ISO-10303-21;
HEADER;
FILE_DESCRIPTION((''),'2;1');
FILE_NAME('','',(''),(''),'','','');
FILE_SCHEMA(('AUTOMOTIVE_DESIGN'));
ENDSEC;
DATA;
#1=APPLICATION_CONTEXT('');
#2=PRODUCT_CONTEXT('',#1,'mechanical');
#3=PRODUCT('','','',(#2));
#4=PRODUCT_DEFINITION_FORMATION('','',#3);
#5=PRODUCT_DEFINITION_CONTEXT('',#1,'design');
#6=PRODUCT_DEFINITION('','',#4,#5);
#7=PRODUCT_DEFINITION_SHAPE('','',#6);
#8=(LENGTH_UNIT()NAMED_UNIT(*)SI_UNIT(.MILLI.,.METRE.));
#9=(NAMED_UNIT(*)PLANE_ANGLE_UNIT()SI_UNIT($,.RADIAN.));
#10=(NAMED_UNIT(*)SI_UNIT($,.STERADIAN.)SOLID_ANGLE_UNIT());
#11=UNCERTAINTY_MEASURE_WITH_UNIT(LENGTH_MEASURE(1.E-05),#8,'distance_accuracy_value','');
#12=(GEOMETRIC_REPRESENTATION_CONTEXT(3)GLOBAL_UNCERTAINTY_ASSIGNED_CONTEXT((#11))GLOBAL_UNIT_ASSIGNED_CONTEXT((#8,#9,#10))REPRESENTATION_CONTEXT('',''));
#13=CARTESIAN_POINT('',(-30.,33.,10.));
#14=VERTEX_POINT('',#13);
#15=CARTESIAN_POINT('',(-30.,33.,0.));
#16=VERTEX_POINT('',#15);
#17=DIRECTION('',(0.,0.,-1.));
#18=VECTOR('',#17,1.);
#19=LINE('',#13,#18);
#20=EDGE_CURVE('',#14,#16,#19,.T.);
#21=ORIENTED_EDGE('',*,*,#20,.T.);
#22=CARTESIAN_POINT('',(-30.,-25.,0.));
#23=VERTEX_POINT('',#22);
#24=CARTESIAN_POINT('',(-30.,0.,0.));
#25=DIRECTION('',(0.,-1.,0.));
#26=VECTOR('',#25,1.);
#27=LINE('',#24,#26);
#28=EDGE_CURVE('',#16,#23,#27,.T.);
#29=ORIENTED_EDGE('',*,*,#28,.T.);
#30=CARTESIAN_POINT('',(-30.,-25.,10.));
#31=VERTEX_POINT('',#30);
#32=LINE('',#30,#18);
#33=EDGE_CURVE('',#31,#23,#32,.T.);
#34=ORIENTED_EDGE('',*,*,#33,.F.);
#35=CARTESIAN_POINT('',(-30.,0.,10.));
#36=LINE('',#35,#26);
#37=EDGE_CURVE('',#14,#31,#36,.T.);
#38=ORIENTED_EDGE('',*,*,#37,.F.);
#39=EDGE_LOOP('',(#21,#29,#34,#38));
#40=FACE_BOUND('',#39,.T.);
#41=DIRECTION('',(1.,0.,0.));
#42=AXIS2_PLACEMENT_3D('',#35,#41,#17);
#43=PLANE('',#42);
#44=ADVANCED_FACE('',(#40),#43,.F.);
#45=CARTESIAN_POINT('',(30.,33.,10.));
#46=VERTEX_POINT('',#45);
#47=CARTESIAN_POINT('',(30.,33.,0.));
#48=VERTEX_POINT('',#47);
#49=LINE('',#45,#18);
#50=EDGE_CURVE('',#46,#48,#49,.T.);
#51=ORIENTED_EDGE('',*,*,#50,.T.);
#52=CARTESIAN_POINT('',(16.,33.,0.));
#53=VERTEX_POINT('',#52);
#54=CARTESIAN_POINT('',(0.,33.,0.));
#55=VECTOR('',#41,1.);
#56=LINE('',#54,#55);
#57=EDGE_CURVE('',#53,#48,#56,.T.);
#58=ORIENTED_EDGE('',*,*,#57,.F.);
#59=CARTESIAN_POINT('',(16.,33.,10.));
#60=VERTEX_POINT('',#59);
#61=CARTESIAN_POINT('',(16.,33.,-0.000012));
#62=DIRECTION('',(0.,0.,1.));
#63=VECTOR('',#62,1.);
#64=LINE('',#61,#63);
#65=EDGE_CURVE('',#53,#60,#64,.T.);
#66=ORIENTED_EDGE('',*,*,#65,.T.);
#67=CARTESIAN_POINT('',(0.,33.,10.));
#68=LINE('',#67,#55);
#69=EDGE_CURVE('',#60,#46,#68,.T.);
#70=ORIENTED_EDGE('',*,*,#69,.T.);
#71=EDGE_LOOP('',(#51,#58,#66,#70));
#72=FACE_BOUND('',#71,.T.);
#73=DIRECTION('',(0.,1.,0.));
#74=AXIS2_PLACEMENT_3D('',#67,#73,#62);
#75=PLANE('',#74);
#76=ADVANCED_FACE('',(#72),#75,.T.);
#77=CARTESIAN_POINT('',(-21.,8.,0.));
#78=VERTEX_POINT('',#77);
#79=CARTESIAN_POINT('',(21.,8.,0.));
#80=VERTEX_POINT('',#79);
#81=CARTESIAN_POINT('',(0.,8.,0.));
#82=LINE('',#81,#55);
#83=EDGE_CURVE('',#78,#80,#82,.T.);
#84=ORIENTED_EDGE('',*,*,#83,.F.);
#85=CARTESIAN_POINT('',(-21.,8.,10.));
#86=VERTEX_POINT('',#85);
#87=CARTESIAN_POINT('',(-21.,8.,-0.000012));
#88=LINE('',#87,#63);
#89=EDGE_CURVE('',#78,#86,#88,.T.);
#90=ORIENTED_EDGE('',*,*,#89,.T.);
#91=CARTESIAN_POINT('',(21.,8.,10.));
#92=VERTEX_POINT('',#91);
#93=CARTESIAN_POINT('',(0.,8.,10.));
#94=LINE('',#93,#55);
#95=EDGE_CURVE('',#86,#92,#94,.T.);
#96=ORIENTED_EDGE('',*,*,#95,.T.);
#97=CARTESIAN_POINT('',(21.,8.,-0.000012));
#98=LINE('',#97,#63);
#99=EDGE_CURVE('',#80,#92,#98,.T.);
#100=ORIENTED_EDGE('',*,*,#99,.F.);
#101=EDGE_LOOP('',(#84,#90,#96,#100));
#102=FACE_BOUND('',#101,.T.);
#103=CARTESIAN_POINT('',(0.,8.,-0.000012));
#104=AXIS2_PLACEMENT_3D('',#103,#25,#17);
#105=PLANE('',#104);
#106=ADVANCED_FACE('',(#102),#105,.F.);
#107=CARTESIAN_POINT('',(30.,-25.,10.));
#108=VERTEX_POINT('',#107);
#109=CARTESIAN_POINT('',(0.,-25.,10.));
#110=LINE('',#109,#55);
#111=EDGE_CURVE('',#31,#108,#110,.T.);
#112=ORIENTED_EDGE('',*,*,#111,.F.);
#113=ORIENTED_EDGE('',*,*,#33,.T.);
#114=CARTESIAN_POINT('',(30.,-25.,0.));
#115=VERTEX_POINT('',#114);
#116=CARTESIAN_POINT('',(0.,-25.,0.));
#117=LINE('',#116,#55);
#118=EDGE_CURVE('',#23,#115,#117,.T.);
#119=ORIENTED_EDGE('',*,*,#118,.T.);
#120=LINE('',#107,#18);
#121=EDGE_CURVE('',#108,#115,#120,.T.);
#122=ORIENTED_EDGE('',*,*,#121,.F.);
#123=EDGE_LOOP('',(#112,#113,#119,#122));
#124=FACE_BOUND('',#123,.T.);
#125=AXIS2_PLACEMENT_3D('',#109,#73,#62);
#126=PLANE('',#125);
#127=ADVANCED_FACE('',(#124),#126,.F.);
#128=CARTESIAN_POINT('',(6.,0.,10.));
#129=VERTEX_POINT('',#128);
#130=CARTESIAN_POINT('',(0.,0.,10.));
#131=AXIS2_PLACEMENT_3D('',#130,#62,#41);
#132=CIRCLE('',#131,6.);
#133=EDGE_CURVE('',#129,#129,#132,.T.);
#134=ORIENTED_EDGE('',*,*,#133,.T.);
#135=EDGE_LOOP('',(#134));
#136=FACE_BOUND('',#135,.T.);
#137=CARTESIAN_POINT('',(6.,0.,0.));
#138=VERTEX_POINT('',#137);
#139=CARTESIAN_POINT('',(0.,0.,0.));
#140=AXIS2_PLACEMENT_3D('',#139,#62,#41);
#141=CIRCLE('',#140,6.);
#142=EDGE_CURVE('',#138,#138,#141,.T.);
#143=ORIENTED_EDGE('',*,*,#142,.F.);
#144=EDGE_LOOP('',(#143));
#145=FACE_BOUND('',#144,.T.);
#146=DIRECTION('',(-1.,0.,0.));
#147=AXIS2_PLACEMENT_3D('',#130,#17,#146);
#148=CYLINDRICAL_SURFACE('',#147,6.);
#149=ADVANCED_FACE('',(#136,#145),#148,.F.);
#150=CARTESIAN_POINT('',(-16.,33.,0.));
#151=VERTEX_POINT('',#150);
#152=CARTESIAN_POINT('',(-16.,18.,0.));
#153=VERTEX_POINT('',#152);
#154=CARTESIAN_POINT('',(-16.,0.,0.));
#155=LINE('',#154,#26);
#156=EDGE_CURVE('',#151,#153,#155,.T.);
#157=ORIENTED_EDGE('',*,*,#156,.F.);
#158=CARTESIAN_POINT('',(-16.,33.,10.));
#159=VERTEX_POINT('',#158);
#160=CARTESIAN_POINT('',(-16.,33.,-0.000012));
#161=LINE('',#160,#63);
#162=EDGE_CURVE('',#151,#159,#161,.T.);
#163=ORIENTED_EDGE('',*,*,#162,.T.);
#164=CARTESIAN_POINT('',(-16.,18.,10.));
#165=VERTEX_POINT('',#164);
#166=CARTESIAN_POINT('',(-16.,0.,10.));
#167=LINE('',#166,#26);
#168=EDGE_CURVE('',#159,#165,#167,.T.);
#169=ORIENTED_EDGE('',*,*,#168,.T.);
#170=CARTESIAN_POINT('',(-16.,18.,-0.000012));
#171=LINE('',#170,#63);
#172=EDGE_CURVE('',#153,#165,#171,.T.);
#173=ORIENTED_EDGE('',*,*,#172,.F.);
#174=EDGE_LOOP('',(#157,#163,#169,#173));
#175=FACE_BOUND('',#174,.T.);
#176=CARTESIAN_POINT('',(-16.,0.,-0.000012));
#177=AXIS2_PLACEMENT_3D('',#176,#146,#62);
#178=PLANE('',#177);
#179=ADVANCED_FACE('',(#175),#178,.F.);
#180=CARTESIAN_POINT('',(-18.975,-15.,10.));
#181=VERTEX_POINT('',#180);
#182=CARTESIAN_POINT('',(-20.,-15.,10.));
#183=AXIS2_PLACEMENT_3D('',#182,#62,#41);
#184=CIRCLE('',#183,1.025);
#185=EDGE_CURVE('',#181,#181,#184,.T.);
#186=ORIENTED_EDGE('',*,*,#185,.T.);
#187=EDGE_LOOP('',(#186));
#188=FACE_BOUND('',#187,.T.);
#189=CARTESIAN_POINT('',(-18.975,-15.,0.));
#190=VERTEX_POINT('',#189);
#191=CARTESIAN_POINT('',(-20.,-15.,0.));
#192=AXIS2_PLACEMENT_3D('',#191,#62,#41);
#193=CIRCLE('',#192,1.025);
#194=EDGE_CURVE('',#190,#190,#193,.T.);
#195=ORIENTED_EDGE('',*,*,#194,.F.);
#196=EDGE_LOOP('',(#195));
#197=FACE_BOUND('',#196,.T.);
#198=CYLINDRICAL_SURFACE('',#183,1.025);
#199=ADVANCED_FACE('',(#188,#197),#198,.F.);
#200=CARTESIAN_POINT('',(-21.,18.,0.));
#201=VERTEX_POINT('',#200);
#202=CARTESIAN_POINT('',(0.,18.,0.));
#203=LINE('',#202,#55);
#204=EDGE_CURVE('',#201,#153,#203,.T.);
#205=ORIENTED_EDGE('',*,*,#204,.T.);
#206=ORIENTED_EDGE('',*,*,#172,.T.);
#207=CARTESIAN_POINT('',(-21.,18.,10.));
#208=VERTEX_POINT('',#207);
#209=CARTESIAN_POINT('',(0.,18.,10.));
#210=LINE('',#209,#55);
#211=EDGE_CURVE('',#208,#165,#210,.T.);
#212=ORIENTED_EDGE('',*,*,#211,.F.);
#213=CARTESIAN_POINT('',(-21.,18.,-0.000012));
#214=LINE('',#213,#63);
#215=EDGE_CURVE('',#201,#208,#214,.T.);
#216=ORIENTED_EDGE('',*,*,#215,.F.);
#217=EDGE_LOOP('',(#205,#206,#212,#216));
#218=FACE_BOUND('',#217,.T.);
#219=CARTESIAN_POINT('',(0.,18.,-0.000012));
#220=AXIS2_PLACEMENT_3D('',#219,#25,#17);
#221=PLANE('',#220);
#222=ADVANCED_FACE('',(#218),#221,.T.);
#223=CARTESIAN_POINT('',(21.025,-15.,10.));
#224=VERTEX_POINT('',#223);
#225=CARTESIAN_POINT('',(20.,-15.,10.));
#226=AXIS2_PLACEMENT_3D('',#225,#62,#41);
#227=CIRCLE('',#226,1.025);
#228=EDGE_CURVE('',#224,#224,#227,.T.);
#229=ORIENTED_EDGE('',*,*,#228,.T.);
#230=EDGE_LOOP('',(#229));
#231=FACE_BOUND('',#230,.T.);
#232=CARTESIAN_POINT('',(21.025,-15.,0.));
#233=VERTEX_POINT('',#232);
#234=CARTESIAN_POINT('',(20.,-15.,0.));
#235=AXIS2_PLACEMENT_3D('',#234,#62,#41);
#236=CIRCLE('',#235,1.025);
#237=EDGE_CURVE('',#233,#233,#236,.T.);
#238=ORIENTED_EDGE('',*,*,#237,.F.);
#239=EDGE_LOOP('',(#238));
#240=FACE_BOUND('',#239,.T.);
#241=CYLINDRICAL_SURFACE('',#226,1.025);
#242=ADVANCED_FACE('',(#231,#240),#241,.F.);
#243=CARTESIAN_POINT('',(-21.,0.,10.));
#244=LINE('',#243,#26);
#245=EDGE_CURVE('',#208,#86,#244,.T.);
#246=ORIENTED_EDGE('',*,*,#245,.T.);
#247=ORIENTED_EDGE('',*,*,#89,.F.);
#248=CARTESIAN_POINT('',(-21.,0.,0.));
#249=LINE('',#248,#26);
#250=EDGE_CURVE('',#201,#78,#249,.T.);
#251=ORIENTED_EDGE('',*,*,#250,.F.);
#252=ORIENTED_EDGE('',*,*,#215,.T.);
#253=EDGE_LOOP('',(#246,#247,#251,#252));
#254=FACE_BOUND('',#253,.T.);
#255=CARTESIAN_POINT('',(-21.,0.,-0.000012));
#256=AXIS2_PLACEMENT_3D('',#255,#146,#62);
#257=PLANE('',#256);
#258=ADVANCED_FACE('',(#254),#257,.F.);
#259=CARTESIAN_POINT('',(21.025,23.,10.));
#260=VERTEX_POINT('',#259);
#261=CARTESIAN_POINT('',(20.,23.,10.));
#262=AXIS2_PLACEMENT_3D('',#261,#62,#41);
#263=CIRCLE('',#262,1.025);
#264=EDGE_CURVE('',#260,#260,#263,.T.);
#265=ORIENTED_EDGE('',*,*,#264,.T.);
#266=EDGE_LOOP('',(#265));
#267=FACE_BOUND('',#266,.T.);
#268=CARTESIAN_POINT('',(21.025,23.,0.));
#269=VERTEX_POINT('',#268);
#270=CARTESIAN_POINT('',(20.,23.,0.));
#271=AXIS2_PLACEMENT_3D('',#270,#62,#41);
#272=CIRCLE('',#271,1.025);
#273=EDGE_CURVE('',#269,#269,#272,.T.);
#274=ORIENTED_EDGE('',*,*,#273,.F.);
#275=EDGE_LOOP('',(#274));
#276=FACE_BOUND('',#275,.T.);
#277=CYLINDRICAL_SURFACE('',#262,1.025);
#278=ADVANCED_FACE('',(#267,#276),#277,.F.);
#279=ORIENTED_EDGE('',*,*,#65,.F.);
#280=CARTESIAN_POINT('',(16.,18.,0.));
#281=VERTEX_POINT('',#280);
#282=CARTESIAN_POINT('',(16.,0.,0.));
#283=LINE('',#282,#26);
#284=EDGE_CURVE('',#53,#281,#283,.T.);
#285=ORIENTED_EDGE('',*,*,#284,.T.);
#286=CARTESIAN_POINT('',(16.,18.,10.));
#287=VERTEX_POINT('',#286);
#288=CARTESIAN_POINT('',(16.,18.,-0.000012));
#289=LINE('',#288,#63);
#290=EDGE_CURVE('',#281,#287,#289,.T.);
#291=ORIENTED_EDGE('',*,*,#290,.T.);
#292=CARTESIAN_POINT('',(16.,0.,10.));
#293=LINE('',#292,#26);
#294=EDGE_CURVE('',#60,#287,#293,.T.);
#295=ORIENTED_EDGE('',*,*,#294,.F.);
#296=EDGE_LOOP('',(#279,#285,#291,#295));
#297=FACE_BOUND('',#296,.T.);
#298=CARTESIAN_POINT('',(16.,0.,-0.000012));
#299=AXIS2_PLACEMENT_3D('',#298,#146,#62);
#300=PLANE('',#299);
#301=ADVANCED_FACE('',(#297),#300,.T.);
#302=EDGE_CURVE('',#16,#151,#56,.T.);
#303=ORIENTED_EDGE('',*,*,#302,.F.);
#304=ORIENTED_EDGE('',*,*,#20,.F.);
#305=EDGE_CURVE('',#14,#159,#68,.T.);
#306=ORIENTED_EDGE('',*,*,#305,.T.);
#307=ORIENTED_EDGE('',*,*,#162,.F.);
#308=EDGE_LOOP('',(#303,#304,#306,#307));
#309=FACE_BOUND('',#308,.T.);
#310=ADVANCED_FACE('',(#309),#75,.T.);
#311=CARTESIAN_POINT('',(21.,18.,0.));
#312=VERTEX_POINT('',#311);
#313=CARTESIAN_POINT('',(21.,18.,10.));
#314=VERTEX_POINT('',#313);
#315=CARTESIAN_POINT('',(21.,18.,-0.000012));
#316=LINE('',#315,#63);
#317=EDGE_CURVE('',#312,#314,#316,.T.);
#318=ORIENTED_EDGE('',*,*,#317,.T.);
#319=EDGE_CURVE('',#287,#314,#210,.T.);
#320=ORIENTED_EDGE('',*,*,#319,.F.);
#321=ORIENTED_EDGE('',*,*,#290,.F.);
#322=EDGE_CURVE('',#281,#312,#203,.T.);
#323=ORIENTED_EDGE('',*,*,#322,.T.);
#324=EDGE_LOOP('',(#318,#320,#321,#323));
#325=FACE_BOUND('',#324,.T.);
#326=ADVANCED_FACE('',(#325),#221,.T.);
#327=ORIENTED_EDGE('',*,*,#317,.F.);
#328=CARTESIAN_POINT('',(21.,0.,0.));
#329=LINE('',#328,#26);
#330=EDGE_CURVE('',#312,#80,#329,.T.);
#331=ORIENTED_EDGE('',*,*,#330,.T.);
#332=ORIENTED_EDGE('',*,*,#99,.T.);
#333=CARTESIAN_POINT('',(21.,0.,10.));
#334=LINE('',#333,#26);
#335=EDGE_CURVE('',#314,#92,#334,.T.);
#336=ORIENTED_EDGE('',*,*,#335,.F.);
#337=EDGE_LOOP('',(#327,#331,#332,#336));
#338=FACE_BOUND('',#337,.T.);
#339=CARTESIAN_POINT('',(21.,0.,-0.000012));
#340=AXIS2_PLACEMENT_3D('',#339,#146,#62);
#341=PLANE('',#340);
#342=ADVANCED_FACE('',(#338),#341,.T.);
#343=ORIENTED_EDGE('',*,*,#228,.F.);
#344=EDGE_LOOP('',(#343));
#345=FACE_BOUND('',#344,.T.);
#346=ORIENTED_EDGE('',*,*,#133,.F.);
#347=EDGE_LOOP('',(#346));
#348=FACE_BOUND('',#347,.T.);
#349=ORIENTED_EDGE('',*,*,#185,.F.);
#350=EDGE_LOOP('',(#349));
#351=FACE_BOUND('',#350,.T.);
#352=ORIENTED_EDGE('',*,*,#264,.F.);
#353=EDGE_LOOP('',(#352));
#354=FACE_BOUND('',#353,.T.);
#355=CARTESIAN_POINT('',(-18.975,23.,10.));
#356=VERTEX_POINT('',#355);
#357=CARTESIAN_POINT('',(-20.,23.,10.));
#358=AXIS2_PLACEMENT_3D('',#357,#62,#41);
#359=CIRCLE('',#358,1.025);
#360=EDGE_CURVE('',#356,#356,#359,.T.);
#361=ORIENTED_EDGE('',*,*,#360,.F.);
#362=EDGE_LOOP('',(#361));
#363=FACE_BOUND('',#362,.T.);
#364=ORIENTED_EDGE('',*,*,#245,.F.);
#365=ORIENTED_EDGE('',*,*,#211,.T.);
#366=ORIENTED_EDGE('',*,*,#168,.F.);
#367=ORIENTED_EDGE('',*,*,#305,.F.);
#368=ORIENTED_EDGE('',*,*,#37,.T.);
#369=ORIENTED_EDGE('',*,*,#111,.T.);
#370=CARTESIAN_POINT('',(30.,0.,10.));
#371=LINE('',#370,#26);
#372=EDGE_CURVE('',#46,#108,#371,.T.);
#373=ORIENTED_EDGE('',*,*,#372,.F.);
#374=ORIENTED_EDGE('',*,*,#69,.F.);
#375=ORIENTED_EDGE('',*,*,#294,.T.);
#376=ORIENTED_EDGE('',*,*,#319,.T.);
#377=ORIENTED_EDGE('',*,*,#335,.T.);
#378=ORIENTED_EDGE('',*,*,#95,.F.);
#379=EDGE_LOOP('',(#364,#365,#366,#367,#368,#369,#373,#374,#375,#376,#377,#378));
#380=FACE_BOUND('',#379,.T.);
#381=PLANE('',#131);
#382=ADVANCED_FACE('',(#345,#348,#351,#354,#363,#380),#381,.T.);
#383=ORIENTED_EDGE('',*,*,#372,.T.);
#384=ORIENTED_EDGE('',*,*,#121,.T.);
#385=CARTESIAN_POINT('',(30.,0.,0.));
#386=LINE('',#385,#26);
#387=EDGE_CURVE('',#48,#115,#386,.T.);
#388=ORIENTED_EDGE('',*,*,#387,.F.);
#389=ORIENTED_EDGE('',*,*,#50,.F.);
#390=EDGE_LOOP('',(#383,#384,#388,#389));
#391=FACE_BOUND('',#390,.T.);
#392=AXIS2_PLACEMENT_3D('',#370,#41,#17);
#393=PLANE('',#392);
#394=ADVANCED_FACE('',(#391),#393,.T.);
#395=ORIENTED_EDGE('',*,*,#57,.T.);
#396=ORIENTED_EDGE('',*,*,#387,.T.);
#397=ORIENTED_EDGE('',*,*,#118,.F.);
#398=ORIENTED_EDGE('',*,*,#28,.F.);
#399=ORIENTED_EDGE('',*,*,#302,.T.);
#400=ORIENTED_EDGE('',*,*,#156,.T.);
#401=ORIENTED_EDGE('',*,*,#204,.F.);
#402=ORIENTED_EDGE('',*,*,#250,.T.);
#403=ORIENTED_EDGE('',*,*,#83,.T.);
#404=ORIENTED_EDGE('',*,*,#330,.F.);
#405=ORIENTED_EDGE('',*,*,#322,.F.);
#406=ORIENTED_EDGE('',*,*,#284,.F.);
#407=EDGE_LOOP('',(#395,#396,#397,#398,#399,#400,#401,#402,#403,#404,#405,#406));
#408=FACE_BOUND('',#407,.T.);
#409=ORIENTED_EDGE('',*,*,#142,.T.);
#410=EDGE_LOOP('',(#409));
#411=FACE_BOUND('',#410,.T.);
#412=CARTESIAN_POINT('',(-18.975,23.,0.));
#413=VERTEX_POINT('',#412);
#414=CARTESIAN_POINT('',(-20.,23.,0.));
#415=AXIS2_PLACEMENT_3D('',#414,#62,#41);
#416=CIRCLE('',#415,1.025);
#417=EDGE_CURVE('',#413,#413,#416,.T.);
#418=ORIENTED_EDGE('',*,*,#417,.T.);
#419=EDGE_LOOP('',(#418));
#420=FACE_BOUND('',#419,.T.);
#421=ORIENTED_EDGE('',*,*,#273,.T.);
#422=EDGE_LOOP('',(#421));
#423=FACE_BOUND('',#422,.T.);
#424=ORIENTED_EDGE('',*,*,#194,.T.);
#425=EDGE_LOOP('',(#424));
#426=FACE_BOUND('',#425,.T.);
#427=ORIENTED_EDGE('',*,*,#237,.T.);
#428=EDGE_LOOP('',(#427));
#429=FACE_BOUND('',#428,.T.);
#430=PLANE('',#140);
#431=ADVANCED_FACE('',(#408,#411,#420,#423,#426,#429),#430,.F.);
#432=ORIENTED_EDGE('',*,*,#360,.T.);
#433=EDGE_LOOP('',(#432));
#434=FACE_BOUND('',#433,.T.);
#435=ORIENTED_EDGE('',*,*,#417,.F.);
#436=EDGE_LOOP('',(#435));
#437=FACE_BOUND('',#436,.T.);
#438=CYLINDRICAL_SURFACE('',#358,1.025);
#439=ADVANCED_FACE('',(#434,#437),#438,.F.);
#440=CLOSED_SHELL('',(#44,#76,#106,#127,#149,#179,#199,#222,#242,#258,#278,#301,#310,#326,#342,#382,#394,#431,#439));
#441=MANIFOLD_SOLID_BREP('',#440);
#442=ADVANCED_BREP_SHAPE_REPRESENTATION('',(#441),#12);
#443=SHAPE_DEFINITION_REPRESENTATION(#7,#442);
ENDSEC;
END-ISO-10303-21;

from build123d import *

# Parameters (mm, degrees)
SKETCH1_W                = 60
SKETCH1_H                = 58
SKETCH1_R                = 6
SKETCH1_W_2              = 42
SKETCH1_H_2              = 10
BOSS_EXTRUDE1_DEPTH      = 10
M2_5X0_45_TAPPED_HOLE1_D = 2.05
SKETCH4_W                = 32
SKETCH4_H                = 15
CUT_EXTRUDE1_DEPTH       = 11
CUT_EXTRUDE1_DEPTH_BACK  = 1


with BuildPart() as part:
    # Sketch1 → Boss-Extrude1 (new body)
    with BuildSketch(Plane.XY):
        with Locations((0, 4)):
            Rectangle(SKETCH1_W, SKETCH1_H)
        Circle(SKETCH1_R, mode=Mode.SUBTRACT)
        with Locations((0, 13)):
            Rectangle(SKETCH1_W_2, SKETCH1_H_2, mode=Mode.SUBTRACT)
        with Locations((0, 13)):
            Rectangle(SKETCH1_W_2, SKETCH1_H_2)
    extrude(amount=BOSS_EXTRUDE1_DEPTH)

    # M2.5x0.45 Tapped Hole1 (through all)
    with Locations(Plane.XY.offset(10)):
        with Locations((20, 23), (-20, 23), (-20, -15), (20, -15)):
            Hole(M2_5X0_45_TAPPED_HOLE1_D / 2)

    # Sketch4 → Cut-Extrude1 (cut, two sides)
    with BuildSketch(Plane.XY) as cut_extrude1_sk:
        with Locations((0, 25.5)):
            Rectangle(SKETCH4_W, SKETCH4_H)
        Polygon((16, 18), (-16, 18), (-21, 18), (-21, 8), (21, 8), (21, 18), align=None)
    extrude(amount=CUT_EXTRUDE1_DEPTH, mode=Mode.SUBTRACT)
    extrude(cut_extrude1_sk.sketch, amount=-CUT_EXTRUDE1_DEPTH_BACK, mode=Mode.SUBTRACT)


solid = part.part
